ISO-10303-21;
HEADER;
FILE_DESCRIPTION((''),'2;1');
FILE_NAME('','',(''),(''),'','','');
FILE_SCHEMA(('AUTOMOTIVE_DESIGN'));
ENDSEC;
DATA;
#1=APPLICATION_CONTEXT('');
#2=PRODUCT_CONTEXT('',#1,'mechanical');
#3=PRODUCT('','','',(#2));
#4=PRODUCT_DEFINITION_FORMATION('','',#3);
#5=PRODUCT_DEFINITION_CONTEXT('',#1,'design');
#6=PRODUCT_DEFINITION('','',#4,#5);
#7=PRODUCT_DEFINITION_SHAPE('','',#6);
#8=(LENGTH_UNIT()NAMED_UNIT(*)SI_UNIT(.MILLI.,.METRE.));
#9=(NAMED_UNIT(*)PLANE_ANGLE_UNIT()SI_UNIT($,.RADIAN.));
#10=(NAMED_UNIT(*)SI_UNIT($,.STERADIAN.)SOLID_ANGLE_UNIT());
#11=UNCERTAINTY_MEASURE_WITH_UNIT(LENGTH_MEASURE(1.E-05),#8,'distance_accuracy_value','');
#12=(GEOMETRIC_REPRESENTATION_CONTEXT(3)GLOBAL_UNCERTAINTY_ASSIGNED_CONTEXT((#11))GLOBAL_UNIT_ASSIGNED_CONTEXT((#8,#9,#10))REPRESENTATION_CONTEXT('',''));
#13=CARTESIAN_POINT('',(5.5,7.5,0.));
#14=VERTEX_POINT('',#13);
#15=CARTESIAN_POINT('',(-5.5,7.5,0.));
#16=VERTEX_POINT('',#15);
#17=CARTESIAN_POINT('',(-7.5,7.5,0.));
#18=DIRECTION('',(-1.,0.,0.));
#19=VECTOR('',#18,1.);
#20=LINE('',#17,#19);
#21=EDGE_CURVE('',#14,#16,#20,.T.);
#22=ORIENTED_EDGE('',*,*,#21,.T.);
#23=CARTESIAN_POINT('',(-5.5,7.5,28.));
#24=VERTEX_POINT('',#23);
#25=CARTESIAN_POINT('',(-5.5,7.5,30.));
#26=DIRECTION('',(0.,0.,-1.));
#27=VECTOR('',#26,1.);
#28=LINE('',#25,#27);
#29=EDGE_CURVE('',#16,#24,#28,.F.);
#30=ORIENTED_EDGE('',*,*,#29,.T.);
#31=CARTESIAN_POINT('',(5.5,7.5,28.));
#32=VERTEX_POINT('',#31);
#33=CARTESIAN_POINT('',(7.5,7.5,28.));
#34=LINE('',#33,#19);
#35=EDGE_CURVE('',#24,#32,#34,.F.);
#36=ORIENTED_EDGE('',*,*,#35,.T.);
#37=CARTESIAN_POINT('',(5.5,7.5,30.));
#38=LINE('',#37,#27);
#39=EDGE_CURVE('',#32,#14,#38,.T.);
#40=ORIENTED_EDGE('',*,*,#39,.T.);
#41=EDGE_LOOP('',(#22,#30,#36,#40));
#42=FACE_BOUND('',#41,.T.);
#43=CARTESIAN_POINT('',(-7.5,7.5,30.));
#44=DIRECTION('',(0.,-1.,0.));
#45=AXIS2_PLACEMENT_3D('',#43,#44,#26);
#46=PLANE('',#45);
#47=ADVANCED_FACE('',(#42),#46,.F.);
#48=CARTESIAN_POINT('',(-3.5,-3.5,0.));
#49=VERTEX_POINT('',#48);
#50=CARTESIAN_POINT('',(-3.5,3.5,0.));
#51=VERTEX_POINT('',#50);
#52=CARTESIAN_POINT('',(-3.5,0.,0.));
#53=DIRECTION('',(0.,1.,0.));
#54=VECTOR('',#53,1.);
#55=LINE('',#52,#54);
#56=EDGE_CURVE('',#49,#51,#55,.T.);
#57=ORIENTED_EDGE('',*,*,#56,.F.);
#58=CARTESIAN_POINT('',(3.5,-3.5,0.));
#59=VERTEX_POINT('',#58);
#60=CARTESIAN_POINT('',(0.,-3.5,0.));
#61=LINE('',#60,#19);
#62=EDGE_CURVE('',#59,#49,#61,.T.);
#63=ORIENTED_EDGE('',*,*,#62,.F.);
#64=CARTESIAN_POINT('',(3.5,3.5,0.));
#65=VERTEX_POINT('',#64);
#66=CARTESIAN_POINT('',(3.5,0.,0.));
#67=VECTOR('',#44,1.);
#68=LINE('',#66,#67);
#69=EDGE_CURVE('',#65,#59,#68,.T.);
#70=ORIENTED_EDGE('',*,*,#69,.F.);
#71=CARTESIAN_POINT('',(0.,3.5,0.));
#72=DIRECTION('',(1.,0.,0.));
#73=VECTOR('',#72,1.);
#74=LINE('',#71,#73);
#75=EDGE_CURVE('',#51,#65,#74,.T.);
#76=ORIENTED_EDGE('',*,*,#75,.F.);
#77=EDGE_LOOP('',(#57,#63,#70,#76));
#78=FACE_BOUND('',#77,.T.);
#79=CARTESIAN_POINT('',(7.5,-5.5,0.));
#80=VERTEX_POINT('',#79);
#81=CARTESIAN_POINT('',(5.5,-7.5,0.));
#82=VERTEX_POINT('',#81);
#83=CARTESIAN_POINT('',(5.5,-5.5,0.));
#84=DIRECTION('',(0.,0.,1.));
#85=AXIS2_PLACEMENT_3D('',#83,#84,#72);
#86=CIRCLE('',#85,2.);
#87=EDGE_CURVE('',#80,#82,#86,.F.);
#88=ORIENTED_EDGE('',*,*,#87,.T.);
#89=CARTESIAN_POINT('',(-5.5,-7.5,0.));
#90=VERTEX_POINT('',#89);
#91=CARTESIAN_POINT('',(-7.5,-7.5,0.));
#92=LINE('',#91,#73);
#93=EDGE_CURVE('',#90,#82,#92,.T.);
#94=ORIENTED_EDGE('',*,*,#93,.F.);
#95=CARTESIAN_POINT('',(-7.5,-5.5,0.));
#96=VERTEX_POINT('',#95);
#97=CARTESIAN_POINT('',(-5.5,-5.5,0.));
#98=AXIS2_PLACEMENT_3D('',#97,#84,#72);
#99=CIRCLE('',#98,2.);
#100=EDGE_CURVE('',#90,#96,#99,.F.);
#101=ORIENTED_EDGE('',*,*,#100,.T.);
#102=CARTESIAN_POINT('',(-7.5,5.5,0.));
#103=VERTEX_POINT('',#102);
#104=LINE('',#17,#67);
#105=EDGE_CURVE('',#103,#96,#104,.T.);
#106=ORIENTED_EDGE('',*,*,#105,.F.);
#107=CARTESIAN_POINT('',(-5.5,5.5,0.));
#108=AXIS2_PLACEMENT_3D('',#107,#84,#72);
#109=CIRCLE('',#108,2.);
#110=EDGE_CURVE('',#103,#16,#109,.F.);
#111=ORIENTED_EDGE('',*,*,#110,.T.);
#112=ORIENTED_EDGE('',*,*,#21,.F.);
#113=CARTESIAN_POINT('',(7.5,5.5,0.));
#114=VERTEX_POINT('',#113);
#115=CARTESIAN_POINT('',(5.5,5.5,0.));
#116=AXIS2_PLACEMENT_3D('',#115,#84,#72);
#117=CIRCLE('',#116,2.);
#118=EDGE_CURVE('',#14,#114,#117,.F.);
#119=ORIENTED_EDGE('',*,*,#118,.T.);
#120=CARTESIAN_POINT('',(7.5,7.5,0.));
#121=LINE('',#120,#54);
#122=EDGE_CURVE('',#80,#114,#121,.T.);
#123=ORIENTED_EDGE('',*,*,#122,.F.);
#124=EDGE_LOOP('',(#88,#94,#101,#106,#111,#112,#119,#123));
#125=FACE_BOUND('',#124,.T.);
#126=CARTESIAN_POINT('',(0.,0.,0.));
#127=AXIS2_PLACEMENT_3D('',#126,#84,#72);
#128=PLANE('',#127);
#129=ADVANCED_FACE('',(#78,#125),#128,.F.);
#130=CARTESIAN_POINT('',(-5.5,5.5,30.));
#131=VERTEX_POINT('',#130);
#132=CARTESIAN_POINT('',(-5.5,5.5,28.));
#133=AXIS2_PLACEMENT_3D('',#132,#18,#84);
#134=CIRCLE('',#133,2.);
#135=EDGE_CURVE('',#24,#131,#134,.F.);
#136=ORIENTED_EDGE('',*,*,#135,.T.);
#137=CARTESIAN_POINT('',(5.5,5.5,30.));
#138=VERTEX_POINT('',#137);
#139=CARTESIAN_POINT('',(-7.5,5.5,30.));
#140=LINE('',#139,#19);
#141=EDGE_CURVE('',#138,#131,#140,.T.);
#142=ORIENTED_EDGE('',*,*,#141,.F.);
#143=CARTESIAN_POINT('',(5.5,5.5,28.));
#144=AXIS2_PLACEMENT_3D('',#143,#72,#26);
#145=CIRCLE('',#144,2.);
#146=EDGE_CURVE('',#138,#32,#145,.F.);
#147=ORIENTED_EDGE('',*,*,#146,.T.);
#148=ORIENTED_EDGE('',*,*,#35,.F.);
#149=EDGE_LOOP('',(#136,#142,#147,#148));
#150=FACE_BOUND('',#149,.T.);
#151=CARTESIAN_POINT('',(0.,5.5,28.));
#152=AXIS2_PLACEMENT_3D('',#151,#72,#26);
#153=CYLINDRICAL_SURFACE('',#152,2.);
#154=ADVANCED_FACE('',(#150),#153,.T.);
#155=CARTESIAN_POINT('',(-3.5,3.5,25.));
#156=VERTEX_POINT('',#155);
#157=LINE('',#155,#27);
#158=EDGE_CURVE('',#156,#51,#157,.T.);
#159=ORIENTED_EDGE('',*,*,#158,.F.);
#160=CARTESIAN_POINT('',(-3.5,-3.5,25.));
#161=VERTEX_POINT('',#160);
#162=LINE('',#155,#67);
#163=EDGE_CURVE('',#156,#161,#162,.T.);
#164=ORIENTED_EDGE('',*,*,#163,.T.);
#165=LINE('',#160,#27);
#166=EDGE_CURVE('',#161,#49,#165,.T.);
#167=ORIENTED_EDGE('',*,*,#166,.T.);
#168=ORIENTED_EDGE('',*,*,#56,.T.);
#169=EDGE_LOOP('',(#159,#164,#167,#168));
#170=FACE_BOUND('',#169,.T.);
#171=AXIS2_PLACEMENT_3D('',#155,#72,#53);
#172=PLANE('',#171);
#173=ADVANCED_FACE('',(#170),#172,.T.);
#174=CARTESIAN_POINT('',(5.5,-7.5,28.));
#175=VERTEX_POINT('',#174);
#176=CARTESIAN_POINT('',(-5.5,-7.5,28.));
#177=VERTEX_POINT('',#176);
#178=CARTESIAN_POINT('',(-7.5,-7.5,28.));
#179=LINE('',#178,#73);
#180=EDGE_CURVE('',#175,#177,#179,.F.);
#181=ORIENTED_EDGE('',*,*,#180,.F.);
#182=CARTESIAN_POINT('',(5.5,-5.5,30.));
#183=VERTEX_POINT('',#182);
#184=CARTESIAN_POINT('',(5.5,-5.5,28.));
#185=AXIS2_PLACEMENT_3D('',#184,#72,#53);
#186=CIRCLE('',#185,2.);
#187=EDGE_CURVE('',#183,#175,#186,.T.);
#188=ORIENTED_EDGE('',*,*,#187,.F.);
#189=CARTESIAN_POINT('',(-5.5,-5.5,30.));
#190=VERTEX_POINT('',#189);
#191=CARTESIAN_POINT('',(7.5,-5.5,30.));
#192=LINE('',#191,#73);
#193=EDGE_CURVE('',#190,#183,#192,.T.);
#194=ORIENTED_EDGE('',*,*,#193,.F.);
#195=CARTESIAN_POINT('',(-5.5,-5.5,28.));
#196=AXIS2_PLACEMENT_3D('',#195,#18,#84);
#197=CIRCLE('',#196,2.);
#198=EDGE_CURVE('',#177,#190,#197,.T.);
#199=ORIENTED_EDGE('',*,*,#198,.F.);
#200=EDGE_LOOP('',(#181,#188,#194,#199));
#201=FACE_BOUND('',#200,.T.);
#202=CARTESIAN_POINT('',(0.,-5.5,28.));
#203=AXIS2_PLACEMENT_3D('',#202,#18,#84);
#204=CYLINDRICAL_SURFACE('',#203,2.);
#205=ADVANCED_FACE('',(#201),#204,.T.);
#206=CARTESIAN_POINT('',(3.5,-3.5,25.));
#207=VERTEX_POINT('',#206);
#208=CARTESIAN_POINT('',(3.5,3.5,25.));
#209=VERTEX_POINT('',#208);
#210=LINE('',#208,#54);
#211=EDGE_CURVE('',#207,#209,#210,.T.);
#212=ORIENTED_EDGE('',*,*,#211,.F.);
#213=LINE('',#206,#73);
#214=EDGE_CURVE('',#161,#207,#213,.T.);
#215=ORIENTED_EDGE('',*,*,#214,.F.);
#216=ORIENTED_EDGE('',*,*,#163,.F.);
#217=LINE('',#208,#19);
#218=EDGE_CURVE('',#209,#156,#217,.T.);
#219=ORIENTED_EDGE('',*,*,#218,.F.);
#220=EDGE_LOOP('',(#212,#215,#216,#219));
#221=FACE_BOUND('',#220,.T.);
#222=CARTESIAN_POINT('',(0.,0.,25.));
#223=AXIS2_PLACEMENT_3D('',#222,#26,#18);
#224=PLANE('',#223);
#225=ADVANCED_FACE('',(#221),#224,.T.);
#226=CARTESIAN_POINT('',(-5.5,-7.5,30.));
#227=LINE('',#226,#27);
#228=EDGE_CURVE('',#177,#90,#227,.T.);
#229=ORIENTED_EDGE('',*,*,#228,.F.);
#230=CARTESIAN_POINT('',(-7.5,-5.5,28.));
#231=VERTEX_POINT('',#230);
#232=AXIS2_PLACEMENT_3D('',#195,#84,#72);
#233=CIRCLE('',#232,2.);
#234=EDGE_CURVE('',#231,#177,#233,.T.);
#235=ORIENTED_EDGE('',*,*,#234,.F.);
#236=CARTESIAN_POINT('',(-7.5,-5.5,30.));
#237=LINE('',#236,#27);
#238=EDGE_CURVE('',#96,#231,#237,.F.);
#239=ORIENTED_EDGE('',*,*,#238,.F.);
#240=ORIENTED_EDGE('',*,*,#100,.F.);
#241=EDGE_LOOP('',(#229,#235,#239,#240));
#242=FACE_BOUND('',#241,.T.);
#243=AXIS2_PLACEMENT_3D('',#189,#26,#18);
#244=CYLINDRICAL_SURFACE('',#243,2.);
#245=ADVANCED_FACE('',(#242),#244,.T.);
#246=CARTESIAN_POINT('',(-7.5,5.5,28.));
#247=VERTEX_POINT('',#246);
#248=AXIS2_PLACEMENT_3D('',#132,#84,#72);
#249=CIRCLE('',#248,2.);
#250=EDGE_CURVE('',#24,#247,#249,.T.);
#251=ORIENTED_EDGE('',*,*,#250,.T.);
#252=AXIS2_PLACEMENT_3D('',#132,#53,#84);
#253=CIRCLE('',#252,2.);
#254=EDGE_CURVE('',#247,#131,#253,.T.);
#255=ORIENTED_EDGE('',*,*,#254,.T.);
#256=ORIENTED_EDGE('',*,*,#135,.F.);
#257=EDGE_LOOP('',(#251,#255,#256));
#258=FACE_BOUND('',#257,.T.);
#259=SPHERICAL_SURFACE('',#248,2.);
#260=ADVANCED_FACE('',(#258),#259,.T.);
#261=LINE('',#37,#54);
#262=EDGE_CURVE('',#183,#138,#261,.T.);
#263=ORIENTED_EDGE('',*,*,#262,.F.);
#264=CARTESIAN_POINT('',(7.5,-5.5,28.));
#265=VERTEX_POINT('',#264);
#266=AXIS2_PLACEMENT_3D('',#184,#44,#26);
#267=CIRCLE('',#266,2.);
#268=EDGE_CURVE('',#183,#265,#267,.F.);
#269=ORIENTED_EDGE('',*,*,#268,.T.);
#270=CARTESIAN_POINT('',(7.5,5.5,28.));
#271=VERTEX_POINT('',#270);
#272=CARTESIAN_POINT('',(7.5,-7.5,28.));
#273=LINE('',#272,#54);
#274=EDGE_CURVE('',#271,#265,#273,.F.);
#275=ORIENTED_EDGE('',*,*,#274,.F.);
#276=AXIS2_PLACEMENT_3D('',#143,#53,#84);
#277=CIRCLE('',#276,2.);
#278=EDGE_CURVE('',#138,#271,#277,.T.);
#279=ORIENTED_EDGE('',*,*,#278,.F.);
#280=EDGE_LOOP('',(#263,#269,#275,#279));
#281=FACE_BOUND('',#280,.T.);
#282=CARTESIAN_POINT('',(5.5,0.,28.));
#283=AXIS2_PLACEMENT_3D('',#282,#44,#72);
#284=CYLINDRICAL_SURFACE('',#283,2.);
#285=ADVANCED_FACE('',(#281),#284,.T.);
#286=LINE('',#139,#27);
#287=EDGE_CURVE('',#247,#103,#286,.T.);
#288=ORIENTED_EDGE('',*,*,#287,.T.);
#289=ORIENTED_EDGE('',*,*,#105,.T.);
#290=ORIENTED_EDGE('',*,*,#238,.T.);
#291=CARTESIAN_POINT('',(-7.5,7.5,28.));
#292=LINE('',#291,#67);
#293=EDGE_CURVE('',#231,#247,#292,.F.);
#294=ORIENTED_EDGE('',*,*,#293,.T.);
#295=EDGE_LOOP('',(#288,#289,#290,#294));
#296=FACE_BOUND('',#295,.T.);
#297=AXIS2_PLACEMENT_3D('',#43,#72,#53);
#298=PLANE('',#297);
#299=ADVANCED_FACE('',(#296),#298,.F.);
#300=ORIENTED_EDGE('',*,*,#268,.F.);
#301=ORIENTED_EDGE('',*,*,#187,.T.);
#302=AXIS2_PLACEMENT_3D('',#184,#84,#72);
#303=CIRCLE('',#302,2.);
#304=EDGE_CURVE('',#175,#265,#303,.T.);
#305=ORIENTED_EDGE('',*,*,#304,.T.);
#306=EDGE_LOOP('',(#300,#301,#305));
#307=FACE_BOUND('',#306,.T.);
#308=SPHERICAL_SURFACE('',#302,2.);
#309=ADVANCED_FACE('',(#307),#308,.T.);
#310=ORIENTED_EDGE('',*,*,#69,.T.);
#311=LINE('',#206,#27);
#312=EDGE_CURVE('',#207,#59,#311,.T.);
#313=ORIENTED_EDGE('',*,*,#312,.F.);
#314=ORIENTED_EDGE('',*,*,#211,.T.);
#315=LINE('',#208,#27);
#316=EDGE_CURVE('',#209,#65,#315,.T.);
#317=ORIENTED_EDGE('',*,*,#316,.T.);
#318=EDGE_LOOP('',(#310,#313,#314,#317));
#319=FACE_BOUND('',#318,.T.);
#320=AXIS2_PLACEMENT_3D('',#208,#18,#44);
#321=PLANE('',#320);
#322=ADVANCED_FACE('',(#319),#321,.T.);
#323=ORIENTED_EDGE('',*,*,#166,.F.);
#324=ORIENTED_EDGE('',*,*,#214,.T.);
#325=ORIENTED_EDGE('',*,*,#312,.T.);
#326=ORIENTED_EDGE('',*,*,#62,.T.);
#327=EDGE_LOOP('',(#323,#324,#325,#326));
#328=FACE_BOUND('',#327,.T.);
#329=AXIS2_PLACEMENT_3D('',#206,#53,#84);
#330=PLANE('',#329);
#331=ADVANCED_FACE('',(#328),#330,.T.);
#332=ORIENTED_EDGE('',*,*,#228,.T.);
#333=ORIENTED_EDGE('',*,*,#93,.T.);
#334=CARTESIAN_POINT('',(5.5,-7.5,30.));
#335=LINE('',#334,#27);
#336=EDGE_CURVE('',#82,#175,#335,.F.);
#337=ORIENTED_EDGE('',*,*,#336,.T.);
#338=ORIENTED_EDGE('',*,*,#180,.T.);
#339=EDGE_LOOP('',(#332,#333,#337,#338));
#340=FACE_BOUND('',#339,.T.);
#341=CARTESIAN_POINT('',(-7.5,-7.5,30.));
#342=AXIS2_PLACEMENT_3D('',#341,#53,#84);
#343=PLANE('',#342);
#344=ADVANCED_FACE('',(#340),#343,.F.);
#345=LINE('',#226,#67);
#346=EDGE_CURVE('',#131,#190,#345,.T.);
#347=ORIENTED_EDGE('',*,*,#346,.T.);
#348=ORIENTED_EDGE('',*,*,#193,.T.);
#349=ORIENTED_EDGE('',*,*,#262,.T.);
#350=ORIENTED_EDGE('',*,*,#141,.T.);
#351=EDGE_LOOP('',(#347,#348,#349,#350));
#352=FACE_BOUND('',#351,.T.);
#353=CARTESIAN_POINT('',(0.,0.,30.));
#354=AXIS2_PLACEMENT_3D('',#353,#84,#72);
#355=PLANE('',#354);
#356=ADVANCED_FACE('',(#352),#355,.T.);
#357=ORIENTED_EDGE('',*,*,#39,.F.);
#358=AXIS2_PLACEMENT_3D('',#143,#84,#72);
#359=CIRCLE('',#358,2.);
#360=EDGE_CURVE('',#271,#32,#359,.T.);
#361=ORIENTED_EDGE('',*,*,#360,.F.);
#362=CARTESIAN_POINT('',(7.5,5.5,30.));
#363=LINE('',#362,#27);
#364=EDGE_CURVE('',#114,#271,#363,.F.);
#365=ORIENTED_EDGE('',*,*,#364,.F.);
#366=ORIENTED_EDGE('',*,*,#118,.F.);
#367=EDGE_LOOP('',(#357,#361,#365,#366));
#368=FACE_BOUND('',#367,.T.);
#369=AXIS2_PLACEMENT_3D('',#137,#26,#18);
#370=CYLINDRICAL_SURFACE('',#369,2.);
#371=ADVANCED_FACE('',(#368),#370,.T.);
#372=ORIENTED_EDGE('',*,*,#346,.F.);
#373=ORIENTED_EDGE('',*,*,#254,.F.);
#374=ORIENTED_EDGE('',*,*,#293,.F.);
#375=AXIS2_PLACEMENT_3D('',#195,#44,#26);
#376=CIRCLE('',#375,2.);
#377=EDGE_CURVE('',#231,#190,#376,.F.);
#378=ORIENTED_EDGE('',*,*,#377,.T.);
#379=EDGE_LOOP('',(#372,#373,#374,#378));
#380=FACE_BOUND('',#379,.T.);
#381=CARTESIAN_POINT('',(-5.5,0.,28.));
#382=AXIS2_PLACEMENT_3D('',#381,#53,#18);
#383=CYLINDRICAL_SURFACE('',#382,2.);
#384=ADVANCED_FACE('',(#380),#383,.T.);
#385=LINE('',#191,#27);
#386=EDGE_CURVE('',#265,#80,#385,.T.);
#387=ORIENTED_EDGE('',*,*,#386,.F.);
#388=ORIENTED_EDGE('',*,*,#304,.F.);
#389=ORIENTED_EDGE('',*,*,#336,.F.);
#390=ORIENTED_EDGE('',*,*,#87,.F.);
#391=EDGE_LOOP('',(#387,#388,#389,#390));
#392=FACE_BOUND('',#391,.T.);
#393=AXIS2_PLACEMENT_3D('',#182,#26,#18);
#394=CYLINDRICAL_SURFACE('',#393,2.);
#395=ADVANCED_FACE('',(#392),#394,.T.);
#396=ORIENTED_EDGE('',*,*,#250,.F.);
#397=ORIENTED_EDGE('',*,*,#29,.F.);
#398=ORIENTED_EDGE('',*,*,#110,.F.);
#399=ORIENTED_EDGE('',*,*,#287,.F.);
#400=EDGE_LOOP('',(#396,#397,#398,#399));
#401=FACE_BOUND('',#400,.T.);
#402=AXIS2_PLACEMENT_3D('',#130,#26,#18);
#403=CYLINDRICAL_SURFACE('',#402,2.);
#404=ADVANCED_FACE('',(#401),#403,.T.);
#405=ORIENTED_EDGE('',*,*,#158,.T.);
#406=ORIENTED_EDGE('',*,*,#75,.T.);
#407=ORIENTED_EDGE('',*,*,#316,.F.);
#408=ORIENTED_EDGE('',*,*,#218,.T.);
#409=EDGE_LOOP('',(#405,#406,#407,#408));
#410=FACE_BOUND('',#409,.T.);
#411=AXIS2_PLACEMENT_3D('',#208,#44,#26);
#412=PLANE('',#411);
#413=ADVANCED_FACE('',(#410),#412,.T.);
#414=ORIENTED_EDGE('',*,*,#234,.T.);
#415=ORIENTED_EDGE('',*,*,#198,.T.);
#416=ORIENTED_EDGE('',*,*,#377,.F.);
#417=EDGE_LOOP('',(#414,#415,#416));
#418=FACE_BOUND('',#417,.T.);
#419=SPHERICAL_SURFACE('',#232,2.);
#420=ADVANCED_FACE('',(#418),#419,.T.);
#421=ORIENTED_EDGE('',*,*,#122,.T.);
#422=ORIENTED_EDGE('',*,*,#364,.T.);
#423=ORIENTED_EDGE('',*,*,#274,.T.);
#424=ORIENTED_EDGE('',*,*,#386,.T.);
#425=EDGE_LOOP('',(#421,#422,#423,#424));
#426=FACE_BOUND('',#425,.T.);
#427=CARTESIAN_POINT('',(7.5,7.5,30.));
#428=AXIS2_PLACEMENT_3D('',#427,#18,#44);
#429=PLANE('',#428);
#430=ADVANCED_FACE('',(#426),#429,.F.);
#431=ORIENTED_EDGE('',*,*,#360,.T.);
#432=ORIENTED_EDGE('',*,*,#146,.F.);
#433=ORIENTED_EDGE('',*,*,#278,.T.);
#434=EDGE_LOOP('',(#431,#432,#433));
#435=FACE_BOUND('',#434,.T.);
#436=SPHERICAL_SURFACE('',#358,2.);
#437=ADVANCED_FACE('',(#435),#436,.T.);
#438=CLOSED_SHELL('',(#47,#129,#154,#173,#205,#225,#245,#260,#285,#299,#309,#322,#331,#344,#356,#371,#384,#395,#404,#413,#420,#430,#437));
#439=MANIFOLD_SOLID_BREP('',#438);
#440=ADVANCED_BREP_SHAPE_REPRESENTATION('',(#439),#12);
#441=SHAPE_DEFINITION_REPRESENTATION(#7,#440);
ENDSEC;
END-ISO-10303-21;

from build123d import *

# Parameters (mm, degrees)
SKETCH_1_W               = 15
SKETCH_1_H               = 15
EXTRUDE_1_DEPTH          = 30
SKETCH_2_W               = 7
SKETCH_2_H               = 7
CUT_EXTRUDE_1_DEPTH      = 25
CUT_EXTRUDE_1_DEPTH_BACK = 0.001
FILLET_1_R               = 2


with BuildPart() as part:
    # 草图1 → 凸台-拉伸1 (new body)
    with BuildSketch(Plane.XY):
        Rectangle(SKETCH_1_W, SKETCH_1_H)
    extrude(amount=EXTRUDE_1_DEPTH)

    # 草图2 → 切除-拉伸1 (cut, two sides)
    with BuildSketch(Plane.XY) as cut_extrude_1_sk:
        Rectangle(SKETCH_2_W, SKETCH_2_H)
    extrude(amount=CUT_EXTRUDE_1_DEPTH, mode=Mode.SUBTRACT)
    extrude(cut_extrude_1_sk.sketch, amount=-CUT_EXTRUDE_1_DEPTH_BACK, mode=Mode.SUBTRACT)

    # 圆角1
    fillet_1_edges = [part.edges().sort_by_distance(p)[0] for p in [
        (-7.5, 0, 30),
        (0, -7.5, 30),
        (7.5, 0, 30),
        (0, 7.5, 30),
        (7.5, -7.5, 15),
        (-7.5, -7.5, 15),
        (-7.5, 7.5, 15),
        (7.5, 7.5, 15),
    ]]
    fillet(fillet_1_edges, radius=FILLET_1_R)


solid = part.part
